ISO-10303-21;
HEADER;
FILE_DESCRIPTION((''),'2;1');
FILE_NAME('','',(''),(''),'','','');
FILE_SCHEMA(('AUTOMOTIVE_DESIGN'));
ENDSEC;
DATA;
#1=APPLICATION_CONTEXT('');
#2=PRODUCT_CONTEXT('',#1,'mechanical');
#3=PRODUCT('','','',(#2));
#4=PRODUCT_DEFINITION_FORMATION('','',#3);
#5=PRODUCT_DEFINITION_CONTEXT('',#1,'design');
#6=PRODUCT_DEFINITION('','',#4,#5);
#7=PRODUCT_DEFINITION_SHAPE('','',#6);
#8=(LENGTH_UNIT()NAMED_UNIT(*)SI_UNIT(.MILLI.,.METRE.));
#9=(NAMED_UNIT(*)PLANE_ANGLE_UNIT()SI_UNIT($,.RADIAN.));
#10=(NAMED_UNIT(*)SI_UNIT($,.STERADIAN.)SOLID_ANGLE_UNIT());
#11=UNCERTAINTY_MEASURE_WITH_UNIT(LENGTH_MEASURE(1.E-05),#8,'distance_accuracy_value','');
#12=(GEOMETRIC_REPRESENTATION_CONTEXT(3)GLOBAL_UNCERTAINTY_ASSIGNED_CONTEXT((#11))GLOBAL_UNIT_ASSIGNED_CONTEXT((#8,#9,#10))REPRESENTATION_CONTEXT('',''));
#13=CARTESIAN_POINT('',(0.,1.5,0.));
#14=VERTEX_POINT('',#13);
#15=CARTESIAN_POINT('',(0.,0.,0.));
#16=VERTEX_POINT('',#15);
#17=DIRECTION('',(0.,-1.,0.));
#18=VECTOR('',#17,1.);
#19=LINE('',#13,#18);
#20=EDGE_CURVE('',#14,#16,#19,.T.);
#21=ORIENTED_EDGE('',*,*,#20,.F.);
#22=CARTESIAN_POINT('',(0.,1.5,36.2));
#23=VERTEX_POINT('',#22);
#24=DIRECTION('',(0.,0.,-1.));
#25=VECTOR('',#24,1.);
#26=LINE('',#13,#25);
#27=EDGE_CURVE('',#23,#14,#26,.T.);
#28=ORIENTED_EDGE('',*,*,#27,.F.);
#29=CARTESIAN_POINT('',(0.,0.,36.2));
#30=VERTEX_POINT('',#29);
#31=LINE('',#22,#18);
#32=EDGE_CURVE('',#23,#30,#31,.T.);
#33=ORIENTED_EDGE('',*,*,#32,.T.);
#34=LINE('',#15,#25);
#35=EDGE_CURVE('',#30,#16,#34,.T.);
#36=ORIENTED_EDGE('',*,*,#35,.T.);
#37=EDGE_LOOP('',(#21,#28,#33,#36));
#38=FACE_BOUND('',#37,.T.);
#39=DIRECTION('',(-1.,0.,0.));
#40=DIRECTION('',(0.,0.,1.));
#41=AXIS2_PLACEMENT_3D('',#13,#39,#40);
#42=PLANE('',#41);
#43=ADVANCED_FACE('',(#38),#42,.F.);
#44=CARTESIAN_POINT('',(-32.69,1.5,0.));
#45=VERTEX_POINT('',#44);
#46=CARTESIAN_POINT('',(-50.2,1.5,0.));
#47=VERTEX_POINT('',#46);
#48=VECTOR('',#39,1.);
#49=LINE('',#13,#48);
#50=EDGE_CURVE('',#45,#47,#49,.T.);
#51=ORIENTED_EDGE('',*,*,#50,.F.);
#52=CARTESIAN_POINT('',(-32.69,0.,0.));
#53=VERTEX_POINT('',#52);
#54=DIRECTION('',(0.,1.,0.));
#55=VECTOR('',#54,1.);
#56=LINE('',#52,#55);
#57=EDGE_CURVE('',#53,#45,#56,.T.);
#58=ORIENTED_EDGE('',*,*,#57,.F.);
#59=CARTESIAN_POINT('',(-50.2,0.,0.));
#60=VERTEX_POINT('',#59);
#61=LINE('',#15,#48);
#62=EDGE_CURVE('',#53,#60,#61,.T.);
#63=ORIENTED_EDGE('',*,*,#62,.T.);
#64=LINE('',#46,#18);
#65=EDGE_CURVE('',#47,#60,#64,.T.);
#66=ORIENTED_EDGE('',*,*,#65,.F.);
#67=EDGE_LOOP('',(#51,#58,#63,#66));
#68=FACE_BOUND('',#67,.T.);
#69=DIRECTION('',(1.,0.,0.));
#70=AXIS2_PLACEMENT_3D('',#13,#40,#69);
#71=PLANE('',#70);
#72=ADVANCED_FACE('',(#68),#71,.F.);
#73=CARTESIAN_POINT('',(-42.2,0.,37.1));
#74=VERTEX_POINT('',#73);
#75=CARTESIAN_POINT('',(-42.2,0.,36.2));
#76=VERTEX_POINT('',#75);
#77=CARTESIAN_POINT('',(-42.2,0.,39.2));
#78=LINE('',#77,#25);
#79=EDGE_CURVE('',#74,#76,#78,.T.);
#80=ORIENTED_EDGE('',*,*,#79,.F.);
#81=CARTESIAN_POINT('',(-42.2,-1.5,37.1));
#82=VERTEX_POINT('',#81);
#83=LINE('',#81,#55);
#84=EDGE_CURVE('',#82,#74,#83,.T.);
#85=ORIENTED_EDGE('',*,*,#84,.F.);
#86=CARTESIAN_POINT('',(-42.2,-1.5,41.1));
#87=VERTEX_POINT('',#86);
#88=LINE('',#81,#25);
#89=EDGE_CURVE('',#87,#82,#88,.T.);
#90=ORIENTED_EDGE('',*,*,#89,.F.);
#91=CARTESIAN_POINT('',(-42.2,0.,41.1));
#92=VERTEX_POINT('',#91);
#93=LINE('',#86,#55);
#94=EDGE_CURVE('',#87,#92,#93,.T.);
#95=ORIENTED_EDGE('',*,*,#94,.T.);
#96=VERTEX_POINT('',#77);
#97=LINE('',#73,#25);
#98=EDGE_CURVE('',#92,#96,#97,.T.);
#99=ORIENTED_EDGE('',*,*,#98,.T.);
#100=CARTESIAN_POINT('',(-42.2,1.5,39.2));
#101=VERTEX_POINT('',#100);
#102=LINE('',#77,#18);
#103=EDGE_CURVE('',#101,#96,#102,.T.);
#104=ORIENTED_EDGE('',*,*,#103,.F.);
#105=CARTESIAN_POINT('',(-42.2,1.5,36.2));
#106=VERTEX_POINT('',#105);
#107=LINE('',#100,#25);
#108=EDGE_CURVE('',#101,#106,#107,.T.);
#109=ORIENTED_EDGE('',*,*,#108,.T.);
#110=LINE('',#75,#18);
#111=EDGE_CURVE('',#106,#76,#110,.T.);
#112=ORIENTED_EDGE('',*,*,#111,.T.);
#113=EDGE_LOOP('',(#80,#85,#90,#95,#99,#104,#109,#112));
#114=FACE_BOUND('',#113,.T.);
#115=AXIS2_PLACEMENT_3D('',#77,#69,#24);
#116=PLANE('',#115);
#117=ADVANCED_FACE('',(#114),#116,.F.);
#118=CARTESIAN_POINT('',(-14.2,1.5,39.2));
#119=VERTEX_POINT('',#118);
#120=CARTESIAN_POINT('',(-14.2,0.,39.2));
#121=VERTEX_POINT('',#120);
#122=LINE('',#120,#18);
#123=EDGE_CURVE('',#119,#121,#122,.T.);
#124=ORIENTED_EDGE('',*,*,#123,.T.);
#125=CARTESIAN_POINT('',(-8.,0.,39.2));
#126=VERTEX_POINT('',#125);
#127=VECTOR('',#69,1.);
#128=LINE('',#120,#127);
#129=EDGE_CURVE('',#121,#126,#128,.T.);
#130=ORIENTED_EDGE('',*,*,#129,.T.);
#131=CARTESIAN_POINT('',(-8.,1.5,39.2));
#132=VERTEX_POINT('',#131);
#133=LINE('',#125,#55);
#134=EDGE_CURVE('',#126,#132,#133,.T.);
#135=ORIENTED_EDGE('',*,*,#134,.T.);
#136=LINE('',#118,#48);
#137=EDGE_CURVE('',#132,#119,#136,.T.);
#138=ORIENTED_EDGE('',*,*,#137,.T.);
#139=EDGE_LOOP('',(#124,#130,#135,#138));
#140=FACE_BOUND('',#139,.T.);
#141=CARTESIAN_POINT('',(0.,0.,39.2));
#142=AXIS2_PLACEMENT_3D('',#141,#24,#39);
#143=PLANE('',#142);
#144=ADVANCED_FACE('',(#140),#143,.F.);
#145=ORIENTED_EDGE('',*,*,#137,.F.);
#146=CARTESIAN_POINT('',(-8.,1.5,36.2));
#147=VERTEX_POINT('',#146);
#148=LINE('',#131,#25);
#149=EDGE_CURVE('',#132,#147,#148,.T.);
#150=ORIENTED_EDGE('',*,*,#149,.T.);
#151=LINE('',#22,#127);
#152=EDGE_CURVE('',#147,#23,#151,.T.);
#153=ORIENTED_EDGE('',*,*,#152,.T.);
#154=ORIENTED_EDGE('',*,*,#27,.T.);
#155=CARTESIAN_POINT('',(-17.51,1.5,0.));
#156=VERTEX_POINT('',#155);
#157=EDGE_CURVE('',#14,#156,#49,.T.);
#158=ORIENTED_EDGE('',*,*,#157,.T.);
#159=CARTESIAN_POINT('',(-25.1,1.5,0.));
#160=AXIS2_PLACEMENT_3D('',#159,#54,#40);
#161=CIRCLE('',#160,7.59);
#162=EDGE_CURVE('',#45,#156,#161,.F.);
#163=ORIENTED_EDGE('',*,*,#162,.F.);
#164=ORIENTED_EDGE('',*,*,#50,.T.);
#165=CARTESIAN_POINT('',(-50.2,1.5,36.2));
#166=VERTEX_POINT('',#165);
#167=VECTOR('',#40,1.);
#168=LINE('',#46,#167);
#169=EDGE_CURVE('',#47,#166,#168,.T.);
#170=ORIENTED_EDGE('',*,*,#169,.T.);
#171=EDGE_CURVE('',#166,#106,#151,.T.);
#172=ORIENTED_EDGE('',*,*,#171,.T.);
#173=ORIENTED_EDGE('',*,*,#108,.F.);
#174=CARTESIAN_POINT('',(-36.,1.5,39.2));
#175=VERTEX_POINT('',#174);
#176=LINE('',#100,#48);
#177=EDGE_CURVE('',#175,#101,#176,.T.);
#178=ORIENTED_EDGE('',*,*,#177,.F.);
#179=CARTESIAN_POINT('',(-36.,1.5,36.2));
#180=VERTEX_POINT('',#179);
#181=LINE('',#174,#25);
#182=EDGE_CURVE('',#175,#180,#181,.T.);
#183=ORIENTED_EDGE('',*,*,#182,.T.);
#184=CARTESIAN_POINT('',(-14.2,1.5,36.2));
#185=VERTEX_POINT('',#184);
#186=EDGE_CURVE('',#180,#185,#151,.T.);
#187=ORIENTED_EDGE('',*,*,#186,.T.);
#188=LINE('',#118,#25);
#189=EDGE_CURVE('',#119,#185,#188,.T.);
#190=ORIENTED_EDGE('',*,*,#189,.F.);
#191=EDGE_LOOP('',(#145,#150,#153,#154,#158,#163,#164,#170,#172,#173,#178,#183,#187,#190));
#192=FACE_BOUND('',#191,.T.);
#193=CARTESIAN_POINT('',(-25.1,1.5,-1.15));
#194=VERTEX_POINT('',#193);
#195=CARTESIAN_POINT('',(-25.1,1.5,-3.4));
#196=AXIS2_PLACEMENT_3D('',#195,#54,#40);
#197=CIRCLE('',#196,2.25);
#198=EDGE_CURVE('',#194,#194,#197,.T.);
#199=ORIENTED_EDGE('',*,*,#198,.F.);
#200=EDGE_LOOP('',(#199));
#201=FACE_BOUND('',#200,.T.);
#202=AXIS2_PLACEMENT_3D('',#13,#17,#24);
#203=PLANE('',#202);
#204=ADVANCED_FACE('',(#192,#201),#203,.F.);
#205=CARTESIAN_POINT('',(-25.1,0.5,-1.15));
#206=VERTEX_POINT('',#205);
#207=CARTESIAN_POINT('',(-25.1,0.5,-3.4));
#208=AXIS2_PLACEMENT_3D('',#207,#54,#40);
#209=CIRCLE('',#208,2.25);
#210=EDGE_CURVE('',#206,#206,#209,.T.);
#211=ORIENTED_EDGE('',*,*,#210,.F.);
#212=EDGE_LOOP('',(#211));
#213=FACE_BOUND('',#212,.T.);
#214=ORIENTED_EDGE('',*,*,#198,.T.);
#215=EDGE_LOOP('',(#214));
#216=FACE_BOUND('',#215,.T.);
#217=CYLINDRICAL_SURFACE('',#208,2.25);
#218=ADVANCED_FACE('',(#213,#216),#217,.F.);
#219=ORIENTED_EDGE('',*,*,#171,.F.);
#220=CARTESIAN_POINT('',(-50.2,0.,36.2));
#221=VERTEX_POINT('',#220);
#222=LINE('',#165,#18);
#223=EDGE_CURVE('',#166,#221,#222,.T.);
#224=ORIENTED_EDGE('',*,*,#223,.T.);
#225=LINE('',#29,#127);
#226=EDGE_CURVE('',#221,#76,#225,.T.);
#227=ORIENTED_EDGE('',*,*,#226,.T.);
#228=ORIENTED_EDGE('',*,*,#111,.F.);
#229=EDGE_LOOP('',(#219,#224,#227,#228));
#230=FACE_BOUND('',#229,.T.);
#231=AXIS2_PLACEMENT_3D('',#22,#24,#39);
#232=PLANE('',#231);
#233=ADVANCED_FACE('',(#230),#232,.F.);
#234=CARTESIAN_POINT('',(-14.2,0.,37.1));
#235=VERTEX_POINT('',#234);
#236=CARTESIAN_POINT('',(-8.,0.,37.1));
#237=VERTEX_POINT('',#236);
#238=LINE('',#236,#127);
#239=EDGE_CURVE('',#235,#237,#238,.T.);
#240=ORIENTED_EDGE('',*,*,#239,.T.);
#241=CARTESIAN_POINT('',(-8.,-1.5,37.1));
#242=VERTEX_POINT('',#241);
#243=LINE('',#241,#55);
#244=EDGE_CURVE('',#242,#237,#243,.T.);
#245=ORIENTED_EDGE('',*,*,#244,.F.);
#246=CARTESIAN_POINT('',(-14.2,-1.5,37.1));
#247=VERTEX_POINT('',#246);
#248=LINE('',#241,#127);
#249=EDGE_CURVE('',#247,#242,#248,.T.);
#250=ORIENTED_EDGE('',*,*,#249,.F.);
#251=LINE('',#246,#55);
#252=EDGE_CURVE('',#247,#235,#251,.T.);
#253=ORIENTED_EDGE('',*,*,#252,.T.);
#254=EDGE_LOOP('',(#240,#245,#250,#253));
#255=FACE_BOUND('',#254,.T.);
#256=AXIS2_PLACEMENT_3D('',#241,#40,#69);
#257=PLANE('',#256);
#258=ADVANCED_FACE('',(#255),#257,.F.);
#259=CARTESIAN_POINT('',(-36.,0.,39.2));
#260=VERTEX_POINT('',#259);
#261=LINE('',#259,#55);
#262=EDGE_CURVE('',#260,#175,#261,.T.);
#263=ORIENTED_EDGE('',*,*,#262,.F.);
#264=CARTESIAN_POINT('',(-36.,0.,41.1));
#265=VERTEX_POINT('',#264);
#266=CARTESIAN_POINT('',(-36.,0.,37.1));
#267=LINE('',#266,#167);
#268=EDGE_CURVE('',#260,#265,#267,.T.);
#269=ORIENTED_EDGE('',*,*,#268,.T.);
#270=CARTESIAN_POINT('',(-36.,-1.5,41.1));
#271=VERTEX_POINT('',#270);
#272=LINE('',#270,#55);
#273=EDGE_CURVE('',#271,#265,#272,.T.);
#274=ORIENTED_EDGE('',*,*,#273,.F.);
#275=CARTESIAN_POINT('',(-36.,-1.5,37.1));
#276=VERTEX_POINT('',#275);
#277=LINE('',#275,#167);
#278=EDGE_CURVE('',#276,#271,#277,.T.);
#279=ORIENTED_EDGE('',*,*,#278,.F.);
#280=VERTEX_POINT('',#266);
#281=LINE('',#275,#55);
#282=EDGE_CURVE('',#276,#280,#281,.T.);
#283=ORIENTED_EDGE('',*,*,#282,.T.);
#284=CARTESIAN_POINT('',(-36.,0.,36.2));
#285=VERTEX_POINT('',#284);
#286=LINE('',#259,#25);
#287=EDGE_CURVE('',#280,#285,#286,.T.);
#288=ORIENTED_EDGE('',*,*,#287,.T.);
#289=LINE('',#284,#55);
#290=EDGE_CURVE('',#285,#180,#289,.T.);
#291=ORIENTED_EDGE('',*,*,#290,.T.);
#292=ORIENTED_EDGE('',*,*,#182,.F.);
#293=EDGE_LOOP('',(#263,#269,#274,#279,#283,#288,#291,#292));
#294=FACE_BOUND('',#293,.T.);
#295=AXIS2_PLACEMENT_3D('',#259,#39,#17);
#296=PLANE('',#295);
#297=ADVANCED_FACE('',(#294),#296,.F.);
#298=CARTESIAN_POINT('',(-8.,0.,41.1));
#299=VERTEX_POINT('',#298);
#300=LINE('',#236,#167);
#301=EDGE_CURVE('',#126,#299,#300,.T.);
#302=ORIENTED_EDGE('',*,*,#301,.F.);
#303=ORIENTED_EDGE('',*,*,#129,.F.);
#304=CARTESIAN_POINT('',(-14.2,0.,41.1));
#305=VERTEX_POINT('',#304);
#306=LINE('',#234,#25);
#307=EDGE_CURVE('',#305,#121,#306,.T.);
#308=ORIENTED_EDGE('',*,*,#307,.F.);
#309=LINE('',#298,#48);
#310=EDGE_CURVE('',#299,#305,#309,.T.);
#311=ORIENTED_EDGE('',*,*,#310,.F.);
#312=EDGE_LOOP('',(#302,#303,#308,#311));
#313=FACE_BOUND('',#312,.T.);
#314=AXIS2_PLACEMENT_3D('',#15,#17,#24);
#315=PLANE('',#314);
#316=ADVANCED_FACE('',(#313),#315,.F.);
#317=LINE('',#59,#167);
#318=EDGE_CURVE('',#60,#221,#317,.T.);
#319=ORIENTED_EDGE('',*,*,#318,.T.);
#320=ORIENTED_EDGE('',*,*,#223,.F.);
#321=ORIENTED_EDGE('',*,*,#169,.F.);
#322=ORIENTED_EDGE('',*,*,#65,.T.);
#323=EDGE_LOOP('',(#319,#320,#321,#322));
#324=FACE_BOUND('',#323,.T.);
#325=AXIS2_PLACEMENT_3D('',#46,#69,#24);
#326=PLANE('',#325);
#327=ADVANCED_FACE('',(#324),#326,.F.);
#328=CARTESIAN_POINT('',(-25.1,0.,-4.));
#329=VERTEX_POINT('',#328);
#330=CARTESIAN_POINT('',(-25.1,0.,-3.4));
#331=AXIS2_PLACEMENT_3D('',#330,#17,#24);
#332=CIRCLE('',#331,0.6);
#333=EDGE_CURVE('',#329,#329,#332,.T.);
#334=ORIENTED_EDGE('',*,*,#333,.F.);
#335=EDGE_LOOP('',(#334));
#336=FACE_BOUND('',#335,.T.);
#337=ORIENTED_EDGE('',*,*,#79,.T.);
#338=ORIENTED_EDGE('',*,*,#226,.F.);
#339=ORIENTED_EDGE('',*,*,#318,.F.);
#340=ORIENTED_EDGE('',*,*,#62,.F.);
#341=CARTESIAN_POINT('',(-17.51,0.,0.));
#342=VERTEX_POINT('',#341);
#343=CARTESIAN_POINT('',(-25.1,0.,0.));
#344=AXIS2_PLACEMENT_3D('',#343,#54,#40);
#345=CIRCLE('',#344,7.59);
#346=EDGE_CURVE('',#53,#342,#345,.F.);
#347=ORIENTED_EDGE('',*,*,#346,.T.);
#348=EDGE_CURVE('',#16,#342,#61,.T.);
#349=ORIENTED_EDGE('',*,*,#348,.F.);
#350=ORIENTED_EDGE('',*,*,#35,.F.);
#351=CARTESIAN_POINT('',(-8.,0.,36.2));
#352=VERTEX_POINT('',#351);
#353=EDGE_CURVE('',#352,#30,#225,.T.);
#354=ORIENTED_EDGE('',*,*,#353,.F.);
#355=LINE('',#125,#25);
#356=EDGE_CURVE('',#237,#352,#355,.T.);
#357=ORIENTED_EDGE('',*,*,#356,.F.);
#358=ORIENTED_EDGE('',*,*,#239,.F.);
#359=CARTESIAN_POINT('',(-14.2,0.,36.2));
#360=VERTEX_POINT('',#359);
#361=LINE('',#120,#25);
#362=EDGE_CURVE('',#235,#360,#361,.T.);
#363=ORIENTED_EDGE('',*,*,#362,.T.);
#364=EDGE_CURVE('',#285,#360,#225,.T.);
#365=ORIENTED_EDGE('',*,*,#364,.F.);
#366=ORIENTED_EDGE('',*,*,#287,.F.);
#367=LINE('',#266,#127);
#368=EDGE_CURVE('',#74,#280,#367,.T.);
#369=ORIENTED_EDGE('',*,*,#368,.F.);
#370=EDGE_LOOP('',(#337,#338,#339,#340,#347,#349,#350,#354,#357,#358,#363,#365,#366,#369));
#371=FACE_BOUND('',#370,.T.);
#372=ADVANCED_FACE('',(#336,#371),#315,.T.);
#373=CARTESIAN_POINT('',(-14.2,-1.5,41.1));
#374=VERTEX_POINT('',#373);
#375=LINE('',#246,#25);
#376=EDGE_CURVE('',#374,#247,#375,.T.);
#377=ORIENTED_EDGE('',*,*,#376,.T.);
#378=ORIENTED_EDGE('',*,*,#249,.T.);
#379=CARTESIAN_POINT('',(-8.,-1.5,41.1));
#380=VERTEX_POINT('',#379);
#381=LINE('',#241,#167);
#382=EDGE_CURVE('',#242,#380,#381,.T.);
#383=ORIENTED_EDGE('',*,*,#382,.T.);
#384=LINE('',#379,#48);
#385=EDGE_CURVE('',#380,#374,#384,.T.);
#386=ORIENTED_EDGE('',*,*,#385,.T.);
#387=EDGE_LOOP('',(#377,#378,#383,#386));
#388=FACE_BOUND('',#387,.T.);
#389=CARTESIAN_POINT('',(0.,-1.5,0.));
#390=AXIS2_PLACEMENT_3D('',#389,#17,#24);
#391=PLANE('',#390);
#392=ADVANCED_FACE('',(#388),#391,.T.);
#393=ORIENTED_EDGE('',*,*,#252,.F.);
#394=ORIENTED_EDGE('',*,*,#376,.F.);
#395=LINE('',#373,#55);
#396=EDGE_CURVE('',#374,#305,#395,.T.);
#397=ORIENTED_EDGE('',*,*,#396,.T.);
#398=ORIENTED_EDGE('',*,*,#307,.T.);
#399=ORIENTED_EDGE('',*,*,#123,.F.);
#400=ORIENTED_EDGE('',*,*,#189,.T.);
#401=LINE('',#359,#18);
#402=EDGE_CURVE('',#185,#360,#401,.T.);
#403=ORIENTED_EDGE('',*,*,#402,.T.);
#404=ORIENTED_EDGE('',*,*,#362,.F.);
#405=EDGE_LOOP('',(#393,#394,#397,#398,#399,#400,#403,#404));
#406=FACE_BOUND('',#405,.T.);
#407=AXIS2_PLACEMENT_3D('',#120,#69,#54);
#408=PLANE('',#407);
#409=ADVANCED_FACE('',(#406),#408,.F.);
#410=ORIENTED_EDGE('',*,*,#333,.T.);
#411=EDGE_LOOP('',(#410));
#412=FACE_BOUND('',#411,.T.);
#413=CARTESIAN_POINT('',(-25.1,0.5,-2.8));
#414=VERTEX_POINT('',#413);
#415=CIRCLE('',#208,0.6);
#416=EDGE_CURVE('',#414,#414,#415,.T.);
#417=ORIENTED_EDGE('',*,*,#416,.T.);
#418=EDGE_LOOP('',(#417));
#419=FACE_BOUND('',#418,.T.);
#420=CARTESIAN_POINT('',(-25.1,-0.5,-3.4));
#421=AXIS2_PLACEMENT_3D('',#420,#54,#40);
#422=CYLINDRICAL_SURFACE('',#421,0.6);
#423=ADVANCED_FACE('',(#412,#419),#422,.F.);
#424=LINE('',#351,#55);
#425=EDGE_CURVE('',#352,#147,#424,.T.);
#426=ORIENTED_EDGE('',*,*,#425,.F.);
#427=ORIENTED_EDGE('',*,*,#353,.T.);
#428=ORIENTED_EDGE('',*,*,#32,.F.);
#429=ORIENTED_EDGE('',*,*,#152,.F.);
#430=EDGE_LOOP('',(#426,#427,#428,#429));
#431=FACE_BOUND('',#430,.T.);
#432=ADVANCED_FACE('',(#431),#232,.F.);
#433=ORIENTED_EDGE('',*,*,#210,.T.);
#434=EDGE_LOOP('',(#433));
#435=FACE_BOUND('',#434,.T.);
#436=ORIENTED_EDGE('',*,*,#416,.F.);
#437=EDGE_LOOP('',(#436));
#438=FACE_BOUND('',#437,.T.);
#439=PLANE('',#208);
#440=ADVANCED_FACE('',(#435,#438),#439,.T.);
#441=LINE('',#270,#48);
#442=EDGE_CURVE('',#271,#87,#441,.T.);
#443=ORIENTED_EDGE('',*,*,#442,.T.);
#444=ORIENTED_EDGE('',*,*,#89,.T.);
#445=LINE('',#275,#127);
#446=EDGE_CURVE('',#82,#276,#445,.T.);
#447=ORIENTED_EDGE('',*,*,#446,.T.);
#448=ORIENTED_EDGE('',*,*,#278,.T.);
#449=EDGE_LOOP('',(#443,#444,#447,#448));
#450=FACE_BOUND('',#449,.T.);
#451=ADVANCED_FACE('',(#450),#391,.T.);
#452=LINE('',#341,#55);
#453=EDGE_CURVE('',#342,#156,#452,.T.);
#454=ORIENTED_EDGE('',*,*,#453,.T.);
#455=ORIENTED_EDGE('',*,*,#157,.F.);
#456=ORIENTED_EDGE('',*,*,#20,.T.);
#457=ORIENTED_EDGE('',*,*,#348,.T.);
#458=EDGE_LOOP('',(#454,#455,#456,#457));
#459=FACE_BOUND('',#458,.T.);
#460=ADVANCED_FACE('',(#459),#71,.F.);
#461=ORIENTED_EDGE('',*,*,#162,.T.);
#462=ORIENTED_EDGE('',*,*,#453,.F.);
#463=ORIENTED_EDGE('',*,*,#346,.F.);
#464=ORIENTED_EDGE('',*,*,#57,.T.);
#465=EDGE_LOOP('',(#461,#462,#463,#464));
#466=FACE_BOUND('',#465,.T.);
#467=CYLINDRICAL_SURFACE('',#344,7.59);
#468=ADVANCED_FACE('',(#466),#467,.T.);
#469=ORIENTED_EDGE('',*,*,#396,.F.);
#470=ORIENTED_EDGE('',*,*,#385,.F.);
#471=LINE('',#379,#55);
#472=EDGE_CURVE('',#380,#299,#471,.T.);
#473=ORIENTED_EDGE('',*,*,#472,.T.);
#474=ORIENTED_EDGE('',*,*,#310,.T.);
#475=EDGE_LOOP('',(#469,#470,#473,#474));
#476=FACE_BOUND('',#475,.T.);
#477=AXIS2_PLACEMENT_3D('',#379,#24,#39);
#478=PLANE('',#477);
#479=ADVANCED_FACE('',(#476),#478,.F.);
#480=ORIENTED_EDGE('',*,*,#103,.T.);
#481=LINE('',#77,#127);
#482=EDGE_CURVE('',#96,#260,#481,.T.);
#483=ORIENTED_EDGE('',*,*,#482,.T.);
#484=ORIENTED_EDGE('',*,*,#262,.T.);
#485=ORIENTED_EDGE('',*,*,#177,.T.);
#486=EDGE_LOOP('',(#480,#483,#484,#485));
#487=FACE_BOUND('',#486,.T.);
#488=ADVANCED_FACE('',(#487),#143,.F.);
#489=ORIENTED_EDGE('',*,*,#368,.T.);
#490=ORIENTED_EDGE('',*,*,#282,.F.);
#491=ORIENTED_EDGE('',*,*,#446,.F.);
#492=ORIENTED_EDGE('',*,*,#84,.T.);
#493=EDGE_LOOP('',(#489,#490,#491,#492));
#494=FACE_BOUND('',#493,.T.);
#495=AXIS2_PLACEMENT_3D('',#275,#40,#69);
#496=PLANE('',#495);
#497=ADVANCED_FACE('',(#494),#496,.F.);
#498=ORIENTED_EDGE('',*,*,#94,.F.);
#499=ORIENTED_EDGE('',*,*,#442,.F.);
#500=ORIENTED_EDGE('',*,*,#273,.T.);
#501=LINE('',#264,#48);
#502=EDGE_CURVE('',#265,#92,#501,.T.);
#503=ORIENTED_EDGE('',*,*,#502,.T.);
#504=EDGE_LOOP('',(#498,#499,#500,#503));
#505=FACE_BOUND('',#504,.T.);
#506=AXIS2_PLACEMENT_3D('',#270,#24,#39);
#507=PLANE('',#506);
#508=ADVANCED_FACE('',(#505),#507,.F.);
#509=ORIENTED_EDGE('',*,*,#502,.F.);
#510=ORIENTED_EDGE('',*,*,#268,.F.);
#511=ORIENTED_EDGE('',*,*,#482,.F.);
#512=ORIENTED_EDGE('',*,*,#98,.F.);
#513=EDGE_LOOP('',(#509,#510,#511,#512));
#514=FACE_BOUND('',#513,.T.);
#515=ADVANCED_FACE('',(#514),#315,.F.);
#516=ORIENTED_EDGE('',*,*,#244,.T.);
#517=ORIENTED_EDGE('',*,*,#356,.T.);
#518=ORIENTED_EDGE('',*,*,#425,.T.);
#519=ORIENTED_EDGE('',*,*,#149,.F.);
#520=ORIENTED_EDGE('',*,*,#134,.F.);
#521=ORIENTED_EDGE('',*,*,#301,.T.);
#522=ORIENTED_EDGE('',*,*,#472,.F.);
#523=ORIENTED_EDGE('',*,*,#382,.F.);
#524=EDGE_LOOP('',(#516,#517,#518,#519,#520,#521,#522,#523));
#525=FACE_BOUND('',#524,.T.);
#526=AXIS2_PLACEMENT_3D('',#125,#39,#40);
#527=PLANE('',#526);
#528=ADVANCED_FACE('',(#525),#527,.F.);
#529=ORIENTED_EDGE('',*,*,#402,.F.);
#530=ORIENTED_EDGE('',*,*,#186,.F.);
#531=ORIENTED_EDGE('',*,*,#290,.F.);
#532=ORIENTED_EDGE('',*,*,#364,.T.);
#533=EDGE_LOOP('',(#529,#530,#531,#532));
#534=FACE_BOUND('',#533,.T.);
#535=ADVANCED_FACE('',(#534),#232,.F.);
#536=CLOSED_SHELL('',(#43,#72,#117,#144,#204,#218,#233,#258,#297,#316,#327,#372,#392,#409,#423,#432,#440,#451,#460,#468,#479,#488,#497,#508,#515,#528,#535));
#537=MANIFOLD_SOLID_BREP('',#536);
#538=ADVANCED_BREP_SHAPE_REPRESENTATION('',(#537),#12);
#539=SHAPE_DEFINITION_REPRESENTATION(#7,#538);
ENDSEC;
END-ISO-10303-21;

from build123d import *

# Parameters (mm, degrees)
SKETCH1_W           = 50.2
SKETCH1_H           = 36.2
BOSS_EXTRUDE1_DEPTH = 1.5
SKETCH2_W           = 6.2
SKETCH2_H           = 1.5
BOSS_EXTRUDE2_DEPTH = 3
BOSS_EXTRUDE3_DEPTH = 1.5
SKETCH5_R           = 2.25
CUT_EXTRUDE1_DEPTH  = 1
SKETCH6_R           = 0.6
CUT_EXTRUDE2_DEPTH  = 1
SKETCH9_W           = 6.2
SKETCH9_H           = 4
BOSS_EXTRUDE4_DEPTH = 1.5


with BuildPart() as part:
    # Sketch1 → Boss-Extrude1 (new body)
    with BuildSketch(Plane(origin=(0, 0, 0), x_dir=(1, 0, 0), z_dir=(0, 1, 0))):
        with Locations((-25.1, -18.1)):
            Rectangle(SKETCH1_W, SKETCH1_H)
    extrude(amount=BOSS_EXTRUDE1_DEPTH)

    # Sketch2 → Boss-Extrude2 (add)
    with BuildSketch(Plane.XY.offset(36.2)):
        with Locations((-39.1, 0.75)):
            Rectangle(SKETCH2_W, SKETCH2_H)
        with Locations((-11.1, 0.75)):
            Rectangle(SKETCH2_W, SKETCH2_H)
    extrude(amount=BOSS_EXTRUDE2_DEPTH)

    # Sketch4 → Boss-Extrude3 (add)
    with BuildSketch(Plane(origin=(0, 1.5, 0), x_dir=(1, 0, 0), z_dir=(0, 1, 0))):
        with BuildLine():
            Line((-32.69, 0), (-17.51, 0))
            ThreePointArc((-17.51, 0), (-25.1, 7.59), (-32.69, 0))
        make_face()
    extrude(amount=-BOSS_EXTRUDE3_DEPTH)

    # Sketch5 → Cut-Extrude1 (cut)
    with BuildSketch(Plane(origin=(0, 1.5, 0), x_dir=(1, 0, 0), z_dir=(0, 1, 0))):
        with Locations((-25.1, 3.4)):
            Circle(SKETCH5_R)
    extrude(amount=-CUT_EXTRUDE1_DEPTH, mode=Mode.SUBTRACT)

    # Sketch6 → Cut-Extrude2 (cut)
    with BuildSketch(Plane(origin=(0, 0.5, 0), x_dir=(1, 0, 0), z_dir=(0, 1, 0))):
        with Locations((-25.1, 3.4)):
            Circle(SKETCH6_R)
    extrude(amount=-CUT_EXTRUDE2_DEPTH, mode=Mode.SUBTRACT)

    # Sketch9 → Boss-Extrude4 (add)
    with BuildSketch(Plane.XZ):
        with Locations((-39.1, 39.1)):
            Rectangle(SKETCH9_W, SKETCH9_H)
        with Locations((-11.1, 39.1)):
            Rectangle(SKETCH9_W, SKETCH9_H)
    extrude(amount=BOSS_EXTRUDE4_DEPTH)


solid = part.part
